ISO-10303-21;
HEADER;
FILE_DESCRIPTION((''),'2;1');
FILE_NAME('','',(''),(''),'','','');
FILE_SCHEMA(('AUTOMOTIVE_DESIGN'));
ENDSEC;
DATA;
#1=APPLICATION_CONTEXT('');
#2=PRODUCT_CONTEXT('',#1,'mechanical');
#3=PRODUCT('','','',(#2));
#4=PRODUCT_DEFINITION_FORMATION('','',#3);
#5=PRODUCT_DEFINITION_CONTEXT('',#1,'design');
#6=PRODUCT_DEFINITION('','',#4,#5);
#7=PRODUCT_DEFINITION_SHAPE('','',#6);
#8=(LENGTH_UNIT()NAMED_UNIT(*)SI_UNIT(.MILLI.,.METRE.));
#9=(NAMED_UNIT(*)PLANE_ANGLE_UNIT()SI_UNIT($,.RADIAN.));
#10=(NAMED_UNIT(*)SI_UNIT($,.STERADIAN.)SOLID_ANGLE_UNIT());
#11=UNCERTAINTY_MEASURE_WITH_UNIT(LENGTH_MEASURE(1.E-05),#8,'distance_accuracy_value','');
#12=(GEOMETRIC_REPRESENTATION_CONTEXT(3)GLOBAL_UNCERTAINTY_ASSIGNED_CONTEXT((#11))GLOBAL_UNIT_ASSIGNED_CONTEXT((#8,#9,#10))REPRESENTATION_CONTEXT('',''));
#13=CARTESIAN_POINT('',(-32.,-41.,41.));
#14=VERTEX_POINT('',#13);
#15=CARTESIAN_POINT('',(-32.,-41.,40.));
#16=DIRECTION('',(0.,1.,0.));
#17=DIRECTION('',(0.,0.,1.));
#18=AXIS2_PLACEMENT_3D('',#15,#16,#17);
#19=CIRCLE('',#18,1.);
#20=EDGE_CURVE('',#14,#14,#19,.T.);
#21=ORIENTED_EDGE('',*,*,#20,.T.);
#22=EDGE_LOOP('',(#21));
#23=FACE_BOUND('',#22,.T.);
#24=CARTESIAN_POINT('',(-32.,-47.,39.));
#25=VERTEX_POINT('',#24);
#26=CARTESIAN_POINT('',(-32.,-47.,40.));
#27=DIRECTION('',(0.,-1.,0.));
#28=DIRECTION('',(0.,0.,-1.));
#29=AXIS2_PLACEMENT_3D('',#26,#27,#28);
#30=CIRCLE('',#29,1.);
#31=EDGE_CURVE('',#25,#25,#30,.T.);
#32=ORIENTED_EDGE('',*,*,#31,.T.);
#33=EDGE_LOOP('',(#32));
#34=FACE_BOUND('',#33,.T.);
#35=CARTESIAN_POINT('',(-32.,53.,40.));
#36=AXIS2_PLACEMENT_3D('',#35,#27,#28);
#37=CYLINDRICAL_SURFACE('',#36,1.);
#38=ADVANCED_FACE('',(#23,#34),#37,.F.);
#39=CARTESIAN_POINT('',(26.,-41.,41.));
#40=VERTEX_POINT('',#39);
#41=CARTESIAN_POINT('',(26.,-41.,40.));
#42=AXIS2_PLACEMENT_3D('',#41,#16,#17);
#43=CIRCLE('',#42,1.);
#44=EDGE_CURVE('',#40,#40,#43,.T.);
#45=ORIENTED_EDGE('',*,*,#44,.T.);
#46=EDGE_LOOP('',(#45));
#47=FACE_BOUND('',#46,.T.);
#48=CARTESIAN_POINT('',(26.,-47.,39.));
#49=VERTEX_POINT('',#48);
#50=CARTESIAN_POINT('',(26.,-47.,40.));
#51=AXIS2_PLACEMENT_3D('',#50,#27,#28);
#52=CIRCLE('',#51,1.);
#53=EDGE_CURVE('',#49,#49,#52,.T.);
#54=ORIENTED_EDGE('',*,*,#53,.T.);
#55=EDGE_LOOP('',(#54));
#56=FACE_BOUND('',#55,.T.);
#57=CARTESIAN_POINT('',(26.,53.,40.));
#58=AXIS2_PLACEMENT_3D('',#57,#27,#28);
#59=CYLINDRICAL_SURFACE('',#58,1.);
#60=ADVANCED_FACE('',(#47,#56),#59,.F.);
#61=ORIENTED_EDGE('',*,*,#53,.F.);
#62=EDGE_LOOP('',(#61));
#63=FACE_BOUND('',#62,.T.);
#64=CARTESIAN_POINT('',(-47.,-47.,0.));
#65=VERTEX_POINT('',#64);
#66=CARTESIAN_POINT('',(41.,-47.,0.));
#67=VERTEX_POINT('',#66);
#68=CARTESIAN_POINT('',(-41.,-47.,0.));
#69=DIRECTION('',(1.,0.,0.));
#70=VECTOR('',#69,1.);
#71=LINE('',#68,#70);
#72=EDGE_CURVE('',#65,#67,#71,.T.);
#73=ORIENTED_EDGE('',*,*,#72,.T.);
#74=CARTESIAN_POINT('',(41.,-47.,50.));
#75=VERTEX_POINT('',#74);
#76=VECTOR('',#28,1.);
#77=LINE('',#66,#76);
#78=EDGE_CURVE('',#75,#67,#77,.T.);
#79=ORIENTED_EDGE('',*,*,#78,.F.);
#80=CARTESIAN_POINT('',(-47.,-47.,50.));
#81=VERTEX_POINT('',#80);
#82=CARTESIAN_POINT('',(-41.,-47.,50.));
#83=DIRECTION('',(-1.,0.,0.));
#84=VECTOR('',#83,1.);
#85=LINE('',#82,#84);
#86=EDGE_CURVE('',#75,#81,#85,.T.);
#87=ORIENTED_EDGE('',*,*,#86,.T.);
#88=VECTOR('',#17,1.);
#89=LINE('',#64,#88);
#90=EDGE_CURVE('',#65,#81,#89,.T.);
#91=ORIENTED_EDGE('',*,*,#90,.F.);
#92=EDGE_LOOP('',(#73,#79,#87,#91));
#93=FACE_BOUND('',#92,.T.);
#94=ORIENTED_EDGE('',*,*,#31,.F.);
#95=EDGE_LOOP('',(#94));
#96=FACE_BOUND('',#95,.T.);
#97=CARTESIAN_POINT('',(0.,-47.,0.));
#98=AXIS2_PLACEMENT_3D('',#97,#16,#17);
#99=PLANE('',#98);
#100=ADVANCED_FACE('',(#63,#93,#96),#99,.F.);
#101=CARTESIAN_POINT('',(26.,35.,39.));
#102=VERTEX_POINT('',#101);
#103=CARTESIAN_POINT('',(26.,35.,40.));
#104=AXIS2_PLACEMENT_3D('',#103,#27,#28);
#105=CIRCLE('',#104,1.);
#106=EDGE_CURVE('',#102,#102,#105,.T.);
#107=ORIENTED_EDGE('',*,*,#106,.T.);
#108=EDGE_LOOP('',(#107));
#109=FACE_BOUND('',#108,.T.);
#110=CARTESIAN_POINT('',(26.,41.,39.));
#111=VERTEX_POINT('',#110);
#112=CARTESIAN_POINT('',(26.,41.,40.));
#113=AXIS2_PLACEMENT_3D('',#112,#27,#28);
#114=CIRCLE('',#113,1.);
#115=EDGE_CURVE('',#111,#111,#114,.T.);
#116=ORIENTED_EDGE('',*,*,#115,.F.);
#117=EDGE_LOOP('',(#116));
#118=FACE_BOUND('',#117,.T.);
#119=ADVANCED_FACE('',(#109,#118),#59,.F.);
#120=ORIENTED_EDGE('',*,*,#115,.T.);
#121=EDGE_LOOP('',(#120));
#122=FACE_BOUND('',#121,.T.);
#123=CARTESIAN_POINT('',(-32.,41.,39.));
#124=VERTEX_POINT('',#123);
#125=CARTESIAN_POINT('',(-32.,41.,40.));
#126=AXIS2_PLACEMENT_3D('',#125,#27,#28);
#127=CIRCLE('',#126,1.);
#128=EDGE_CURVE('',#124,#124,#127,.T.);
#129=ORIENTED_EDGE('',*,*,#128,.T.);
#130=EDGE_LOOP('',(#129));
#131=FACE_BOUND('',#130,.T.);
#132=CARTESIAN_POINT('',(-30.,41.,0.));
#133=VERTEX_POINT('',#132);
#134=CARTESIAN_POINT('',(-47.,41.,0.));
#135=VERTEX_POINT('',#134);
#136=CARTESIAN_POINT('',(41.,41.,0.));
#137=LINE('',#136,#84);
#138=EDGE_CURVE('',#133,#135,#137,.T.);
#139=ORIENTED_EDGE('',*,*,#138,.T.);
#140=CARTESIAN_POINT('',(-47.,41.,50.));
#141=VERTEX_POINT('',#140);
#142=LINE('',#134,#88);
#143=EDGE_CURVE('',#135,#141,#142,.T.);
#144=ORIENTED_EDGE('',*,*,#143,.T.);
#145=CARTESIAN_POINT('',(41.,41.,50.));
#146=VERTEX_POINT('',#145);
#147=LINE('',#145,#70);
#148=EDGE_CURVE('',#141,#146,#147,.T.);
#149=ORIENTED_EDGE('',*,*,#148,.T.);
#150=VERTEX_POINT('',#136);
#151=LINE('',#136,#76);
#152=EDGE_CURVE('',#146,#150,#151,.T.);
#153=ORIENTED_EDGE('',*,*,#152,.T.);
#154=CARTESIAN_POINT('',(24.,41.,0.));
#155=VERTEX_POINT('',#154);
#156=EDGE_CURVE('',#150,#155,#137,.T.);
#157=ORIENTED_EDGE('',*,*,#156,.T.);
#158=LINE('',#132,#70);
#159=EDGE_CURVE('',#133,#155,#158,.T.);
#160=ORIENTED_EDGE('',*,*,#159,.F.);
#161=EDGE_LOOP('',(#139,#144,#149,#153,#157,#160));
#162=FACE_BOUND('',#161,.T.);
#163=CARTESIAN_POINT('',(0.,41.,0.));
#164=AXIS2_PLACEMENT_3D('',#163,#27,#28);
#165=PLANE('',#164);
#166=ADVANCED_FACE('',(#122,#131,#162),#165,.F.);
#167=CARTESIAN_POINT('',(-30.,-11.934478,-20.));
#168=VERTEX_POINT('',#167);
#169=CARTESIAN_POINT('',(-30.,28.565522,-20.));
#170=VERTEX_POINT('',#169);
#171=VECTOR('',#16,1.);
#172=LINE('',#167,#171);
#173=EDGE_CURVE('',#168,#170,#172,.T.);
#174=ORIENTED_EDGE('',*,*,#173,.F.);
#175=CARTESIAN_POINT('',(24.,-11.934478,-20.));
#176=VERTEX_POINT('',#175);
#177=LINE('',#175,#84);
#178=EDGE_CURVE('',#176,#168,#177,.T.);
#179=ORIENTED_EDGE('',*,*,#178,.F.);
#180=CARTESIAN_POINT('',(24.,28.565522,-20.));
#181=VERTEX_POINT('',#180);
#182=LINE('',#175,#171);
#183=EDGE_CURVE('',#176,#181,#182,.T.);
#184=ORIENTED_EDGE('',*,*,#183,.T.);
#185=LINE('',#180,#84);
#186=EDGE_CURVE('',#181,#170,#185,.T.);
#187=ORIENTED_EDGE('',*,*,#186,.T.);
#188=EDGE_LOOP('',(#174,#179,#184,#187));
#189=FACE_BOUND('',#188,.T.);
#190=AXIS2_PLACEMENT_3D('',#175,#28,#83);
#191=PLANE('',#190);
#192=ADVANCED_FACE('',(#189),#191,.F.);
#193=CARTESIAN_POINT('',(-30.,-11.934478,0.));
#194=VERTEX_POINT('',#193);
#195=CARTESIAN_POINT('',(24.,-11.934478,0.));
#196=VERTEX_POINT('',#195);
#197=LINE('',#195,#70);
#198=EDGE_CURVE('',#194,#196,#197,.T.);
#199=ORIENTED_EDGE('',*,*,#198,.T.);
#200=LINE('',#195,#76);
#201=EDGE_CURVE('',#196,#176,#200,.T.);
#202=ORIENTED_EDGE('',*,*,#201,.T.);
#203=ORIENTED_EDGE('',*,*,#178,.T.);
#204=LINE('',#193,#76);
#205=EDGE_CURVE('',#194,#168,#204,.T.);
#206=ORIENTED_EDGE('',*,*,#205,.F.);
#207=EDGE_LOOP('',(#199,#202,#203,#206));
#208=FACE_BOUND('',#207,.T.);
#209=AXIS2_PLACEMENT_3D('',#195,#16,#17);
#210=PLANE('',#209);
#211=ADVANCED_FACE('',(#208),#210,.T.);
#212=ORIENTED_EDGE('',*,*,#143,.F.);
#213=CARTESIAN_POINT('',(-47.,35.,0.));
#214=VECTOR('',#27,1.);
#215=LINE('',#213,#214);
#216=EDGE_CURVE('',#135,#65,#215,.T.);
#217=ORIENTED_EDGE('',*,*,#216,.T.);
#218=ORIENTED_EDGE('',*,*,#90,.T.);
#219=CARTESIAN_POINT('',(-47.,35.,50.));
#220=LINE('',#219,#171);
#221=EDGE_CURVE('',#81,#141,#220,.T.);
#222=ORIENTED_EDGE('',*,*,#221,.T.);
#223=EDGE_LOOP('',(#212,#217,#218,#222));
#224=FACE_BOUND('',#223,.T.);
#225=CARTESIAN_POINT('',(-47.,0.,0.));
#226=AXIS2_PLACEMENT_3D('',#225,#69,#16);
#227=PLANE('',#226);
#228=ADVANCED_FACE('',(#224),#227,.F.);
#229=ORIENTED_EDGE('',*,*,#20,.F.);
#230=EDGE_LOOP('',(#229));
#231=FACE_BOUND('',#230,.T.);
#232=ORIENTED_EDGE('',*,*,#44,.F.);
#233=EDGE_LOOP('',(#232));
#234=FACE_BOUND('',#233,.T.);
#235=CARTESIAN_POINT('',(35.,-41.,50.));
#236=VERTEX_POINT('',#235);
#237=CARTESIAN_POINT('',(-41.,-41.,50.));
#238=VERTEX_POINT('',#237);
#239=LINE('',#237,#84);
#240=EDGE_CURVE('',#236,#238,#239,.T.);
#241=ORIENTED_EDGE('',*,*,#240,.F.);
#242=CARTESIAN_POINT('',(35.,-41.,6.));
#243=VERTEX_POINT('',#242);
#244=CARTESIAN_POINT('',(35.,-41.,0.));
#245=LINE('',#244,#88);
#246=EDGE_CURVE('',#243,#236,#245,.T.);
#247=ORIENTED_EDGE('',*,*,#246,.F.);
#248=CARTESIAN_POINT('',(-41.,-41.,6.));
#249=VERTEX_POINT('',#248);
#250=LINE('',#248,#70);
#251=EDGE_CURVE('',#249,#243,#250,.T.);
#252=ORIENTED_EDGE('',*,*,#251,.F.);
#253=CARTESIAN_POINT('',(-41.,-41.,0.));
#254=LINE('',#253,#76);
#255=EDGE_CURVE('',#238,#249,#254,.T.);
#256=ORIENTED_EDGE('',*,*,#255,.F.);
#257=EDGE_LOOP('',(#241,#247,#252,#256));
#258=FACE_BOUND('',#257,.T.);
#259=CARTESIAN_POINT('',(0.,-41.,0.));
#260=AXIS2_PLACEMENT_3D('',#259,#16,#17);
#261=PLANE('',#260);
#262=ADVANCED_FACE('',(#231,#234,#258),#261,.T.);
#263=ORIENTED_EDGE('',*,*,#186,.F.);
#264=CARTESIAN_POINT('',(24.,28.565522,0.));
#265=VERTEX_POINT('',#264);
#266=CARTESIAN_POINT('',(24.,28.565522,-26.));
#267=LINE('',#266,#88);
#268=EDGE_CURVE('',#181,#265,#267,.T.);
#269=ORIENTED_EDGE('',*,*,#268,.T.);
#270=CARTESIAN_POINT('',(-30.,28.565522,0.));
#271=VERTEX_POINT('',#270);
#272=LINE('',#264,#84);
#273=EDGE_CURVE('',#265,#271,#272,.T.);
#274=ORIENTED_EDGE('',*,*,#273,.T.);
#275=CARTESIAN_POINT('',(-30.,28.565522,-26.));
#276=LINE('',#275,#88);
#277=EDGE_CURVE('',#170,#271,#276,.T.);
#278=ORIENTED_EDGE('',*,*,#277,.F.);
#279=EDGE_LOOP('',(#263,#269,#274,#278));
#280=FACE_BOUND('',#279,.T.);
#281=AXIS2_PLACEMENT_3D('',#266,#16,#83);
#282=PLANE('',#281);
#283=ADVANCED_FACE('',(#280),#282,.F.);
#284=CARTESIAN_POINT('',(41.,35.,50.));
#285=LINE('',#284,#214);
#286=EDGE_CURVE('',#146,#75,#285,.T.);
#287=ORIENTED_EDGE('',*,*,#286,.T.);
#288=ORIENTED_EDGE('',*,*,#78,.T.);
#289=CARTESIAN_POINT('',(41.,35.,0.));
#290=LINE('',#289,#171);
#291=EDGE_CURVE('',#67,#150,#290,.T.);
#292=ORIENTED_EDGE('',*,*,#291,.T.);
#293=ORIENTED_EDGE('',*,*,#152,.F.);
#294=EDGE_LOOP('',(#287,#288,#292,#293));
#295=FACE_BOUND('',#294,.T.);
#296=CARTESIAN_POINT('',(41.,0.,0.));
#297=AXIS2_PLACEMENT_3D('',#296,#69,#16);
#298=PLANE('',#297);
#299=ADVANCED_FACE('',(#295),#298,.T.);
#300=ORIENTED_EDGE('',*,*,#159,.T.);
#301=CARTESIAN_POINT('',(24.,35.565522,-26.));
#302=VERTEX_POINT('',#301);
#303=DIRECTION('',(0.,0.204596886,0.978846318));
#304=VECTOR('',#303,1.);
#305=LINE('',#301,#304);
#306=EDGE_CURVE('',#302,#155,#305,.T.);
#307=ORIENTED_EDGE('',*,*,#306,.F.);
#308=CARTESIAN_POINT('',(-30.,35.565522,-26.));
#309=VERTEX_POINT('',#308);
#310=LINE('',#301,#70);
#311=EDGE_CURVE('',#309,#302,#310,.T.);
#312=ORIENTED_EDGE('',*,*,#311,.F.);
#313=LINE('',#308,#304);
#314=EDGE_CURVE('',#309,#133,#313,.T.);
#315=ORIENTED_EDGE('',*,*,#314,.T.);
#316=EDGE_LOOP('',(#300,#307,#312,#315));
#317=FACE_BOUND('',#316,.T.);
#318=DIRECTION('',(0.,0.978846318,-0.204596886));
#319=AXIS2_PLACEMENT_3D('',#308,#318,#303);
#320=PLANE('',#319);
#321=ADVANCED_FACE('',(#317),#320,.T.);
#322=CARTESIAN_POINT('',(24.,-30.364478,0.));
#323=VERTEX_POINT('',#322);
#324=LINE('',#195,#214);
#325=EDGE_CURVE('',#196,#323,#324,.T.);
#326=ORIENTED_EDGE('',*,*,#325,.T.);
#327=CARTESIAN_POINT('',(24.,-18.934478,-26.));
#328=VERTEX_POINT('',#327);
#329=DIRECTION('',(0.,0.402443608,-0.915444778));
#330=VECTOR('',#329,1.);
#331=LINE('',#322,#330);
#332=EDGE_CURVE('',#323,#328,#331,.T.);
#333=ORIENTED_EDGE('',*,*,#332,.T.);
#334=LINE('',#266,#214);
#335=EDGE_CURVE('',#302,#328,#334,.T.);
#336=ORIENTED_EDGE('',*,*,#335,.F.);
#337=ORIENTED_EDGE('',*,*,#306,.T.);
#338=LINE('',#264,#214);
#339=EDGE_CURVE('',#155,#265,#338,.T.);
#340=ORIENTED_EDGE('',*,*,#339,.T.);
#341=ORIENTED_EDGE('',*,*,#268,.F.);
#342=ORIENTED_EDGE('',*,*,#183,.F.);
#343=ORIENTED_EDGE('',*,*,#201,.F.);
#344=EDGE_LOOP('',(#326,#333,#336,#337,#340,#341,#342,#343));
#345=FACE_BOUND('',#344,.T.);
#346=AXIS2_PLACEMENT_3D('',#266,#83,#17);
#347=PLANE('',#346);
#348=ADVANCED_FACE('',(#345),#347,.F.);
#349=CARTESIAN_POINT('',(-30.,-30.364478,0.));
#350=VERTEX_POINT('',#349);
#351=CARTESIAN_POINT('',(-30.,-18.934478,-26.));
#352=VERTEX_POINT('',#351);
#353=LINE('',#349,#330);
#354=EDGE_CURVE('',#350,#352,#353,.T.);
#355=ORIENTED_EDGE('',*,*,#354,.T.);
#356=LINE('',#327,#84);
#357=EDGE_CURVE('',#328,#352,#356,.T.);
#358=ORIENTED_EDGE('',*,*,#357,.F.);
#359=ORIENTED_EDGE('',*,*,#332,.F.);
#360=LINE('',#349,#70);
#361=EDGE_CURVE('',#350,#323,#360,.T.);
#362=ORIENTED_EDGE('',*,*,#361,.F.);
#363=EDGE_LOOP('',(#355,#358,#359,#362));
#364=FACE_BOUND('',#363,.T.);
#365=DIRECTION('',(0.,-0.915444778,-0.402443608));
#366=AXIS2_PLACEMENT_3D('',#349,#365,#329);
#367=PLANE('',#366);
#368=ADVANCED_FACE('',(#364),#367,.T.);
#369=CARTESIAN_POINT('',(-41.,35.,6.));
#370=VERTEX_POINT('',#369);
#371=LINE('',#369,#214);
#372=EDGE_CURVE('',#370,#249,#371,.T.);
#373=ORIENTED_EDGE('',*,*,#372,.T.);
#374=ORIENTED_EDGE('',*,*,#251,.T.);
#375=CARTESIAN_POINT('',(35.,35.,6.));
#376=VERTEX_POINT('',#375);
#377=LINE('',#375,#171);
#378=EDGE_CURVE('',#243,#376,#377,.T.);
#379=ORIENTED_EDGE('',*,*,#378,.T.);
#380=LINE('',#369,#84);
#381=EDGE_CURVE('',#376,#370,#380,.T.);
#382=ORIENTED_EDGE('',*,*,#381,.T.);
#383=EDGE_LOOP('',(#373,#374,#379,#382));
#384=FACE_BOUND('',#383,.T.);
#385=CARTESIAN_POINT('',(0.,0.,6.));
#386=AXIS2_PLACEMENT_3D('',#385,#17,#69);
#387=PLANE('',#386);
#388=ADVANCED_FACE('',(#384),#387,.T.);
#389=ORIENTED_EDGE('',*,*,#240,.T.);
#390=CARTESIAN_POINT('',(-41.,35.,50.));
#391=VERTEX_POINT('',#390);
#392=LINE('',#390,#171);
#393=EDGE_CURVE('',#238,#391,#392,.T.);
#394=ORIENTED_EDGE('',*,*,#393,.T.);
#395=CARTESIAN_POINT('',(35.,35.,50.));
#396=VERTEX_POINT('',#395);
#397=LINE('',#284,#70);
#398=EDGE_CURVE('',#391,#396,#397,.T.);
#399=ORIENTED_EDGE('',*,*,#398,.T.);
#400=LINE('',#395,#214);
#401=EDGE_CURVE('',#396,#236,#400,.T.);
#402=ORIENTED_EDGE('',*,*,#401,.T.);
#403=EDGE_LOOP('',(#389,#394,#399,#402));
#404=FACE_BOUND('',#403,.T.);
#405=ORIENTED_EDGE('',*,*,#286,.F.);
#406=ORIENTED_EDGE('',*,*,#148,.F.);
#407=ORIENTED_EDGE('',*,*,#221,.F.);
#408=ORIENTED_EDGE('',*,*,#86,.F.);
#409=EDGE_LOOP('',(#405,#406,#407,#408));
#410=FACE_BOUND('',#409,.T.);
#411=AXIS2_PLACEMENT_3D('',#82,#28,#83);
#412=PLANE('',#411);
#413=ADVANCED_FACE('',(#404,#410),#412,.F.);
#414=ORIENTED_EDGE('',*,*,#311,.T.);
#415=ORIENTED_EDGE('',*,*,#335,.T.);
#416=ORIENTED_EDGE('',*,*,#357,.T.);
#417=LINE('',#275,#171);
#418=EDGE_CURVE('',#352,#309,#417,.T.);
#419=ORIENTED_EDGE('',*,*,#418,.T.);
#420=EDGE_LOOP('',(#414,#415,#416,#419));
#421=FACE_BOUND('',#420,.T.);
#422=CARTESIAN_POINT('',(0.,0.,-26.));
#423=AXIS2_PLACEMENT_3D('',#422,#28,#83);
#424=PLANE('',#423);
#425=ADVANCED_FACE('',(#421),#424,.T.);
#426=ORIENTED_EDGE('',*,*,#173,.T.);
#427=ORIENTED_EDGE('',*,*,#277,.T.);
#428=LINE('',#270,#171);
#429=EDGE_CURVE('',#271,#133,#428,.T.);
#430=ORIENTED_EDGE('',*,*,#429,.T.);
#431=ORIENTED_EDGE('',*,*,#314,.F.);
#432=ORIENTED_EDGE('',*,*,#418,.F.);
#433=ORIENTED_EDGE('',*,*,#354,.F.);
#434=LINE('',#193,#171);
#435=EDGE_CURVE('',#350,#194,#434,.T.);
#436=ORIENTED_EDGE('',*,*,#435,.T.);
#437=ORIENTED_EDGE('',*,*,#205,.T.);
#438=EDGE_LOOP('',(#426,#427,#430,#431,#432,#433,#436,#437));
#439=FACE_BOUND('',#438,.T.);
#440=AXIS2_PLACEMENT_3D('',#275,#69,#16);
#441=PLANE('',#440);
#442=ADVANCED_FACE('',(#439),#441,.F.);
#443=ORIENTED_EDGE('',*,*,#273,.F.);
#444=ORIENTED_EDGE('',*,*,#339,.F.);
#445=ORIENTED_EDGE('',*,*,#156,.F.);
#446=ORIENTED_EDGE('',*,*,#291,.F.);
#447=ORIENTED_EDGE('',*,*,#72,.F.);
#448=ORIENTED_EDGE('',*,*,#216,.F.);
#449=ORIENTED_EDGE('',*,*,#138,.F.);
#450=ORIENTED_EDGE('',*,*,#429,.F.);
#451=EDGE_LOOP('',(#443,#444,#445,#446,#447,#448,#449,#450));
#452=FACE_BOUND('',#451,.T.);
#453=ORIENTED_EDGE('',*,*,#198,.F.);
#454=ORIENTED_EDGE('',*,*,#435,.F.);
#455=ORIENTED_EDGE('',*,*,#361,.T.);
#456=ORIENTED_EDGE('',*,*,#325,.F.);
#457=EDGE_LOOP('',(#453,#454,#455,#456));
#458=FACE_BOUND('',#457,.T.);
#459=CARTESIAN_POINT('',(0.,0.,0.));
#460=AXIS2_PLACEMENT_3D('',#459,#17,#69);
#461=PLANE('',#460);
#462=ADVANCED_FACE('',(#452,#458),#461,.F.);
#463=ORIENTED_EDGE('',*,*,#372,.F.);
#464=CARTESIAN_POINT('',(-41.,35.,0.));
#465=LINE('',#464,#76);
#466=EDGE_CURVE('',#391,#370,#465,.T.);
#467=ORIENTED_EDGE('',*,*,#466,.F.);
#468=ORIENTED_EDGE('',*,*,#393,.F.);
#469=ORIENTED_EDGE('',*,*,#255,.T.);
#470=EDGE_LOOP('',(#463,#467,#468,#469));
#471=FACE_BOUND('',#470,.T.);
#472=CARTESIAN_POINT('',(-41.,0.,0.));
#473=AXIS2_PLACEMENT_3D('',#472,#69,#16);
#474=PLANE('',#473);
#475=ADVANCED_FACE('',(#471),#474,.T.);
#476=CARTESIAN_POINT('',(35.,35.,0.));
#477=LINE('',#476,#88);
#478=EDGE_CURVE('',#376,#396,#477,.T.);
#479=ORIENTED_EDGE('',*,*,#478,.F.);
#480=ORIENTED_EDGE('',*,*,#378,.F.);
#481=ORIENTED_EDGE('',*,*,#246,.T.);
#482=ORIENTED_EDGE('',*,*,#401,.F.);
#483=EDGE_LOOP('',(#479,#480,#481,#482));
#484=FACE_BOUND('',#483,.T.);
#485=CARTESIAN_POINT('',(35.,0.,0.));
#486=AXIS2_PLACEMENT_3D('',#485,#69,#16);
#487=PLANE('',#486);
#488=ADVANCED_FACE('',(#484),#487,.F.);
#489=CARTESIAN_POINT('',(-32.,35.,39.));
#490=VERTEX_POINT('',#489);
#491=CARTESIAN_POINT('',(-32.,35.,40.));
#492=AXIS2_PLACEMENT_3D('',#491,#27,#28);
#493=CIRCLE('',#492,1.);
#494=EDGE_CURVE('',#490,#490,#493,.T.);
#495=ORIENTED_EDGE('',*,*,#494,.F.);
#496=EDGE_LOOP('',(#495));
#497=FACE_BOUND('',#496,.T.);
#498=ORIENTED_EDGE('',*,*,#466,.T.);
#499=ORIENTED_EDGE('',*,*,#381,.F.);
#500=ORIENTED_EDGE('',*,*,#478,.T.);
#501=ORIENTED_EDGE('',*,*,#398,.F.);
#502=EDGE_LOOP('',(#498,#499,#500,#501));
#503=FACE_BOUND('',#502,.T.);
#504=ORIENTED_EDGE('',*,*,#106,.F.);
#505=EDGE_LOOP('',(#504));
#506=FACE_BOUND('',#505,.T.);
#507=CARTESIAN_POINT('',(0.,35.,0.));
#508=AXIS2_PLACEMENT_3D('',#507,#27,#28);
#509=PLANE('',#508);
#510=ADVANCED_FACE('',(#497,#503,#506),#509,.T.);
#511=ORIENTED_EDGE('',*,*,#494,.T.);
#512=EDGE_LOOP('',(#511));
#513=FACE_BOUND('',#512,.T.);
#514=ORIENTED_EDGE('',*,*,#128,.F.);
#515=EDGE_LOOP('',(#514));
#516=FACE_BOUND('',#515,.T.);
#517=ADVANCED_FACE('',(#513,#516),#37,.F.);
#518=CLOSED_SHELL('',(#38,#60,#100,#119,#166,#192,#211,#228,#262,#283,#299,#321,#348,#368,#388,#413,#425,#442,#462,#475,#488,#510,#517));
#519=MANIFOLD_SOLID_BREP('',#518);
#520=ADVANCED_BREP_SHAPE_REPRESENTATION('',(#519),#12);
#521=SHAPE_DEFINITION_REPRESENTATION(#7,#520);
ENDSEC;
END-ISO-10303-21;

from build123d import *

# Parameters (mm, degrees)
ESQUISSE1_W             = 76
ESQUISSE1_H             = 76
BOSS_EXTRU_1_DEPTH      = 6
ESQUISSE3_W             = 76
ESQUISSE3_H             = 50
BOSS_EXTRU_2_DEPTH      = 6
ESQUISSE4_W             = 50
ESQUISSE4_H             = 82
BOSS_EXTRU_3_DEPTH      = 6
ESQUISSE5_W             = 50
ESQUISSE5_H             = 82
BOSS_EXTRU_4_DEPTH      = 6
ESQUISSE6_W             = 88
ESQUISSE6_H             = 50
BOSS_EXTRU_5_DEPTH      = 6
ESQUISSE8_W             = 54
ESQUISSE8_H             = 7
BOSS_EXTRU_6_DEPTH      = 26
ESQUISSE9_W             = 54
ESQUISSE9_H             = 6
BOSS_EXTRU_7_DEPTH      = 40.5
ESQUISSE11_W            = 54
ESQUISSE11_H            = 7
BOSS_EXTRU_8_DEPTH      = 26
BOSS_EXTRU_10_DEPTH     = 54
ESQUISSE13_R            = 1
ENL_V_MAT_EXTRU_1_DEPTH = 100


with BuildPart() as part:
    # Esquisse1 → Boss.-Extru.1 (new body)
    with BuildSketch(Plane.XY):
        with Locations((-3, -3)):
            Rectangle(ESQUISSE1_W, ESQUISSE1_H)
    extrude(amount=BOSS_EXTRU_1_DEPTH)

    # Esquisse3 → Boss.-Extru.2 (add)
    with BuildSketch(Plane(origin=(0, -41, 0), x_dir=(-1, 0, 0), z_dir=(0, -1, 0))):
        with Locations((3, -25)):
            Rectangle(ESQUISSE3_W, ESQUISSE3_H)
    extrude(amount=BOSS_EXTRU_2_DEPTH)

    # Esquisse4 → Boss.-Extru.3 (add)
    with BuildSketch(Plane.ZY.offset(41)):
        with Locations((25, -6)):
            Rectangle(ESQUISSE4_W, ESQUISSE4_H)
    extrude(amount=BOSS_EXTRU_3_DEPTH)

    # Esquisse5 → Boss.-Extru.4 (add)
    with BuildSketch(Plane(origin=(35, 0, 0), x_dir=(0, 0, -1), z_dir=(1, 0, 0))):
        with Locations((-25, -6)):
            Rectangle(ESQUISSE5_W, ESQUISSE5_H)
    extrude(amount=BOSS_EXTRU_4_DEPTH)

    # Esquisse6 → Boss.-Extru.5 (add)
    with BuildSketch(Plane(origin=(0, 35, 0), x_dir=(1, 0, 0), z_dir=(0, 1, 0))):
        with Locations((-3, -25)):
            Rectangle(ESQUISSE6_W, ESQUISSE6_H)
    extrude(amount=BOSS_EXTRU_5_DEPTH)

    # Esquisse8 → Boss.-Extru.6 (add)
    with BuildSketch(Plane(origin=(0, 0, 0), x_dir=(-1, 0, 0), z_dir=(0, 0, -1))):
        with Locations((3, 32.065521745)):
            Rectangle(ESQUISSE8_W, ESQUISSE8_H)
    extrude(amount=BOSS_EXTRU_6_DEPTH)

    # Esquisse9 → Boss.-Extru.7 (add)
    with BuildSketch(Plane(origin=(0, 28.565521745, 0), x_dir=(-1, 0, 0), z_dir=(0, -1, 0))):
        with Locations((3, 23)):
            Rectangle(ESQUISSE9_W, ESQUISSE9_H)
    extrude(amount=BOSS_EXTRU_7_DEPTH)

    # Esquisse11 → Boss.-Extru.8 (add)
    with BuildSketch(Plane(origin=(0, 0, -26), x_dir=(-1, 0, 0), z_dir=(0, 0, -1))):
        with Locations((3, -15.434478255)):
            Rectangle(ESQUISSE11_W, ESQUISSE11_H)
    extrude(amount=-BOSS_EXTRU_8_DEPTH)

    # Esquisse12 → Boss.-Extru.10 (add)
    with BuildSketch(Plane(origin=(24, 0, 0), x_dir=(0, 0, -1), z_dir=(1, 0, 0))):
        Polygon((26, -18.934478255), (0, -18.934478255), (0, -30.364478255), align=None)
        Polygon((0, 35.565521745), (26, 35.565521745), (0, 41), align=None)
    extrude(amount=-BOSS_EXTRU_10_DEPTH)

    # Esquisse13 → Enlèv. mat.-Extru.1 (cut)
    with BuildSketch(Plane(origin=(0, -47, 0), x_dir=(-1, 0, 0), z_dir=(0, -1, 0))):
        with Locations(Location((-26, -40, 0), (0, 0, 90))):
            Circle(ESQUISSE13_R)
        with Locations(Location((32, -40, 0), (0, 0, 90))):
            Circle(ESQUISSE13_R)
    extrude(amount=-ENL_V_MAT_EXTRU_1_DEPTH, mode=Mode.SUBTRACT)


solid = part.part
